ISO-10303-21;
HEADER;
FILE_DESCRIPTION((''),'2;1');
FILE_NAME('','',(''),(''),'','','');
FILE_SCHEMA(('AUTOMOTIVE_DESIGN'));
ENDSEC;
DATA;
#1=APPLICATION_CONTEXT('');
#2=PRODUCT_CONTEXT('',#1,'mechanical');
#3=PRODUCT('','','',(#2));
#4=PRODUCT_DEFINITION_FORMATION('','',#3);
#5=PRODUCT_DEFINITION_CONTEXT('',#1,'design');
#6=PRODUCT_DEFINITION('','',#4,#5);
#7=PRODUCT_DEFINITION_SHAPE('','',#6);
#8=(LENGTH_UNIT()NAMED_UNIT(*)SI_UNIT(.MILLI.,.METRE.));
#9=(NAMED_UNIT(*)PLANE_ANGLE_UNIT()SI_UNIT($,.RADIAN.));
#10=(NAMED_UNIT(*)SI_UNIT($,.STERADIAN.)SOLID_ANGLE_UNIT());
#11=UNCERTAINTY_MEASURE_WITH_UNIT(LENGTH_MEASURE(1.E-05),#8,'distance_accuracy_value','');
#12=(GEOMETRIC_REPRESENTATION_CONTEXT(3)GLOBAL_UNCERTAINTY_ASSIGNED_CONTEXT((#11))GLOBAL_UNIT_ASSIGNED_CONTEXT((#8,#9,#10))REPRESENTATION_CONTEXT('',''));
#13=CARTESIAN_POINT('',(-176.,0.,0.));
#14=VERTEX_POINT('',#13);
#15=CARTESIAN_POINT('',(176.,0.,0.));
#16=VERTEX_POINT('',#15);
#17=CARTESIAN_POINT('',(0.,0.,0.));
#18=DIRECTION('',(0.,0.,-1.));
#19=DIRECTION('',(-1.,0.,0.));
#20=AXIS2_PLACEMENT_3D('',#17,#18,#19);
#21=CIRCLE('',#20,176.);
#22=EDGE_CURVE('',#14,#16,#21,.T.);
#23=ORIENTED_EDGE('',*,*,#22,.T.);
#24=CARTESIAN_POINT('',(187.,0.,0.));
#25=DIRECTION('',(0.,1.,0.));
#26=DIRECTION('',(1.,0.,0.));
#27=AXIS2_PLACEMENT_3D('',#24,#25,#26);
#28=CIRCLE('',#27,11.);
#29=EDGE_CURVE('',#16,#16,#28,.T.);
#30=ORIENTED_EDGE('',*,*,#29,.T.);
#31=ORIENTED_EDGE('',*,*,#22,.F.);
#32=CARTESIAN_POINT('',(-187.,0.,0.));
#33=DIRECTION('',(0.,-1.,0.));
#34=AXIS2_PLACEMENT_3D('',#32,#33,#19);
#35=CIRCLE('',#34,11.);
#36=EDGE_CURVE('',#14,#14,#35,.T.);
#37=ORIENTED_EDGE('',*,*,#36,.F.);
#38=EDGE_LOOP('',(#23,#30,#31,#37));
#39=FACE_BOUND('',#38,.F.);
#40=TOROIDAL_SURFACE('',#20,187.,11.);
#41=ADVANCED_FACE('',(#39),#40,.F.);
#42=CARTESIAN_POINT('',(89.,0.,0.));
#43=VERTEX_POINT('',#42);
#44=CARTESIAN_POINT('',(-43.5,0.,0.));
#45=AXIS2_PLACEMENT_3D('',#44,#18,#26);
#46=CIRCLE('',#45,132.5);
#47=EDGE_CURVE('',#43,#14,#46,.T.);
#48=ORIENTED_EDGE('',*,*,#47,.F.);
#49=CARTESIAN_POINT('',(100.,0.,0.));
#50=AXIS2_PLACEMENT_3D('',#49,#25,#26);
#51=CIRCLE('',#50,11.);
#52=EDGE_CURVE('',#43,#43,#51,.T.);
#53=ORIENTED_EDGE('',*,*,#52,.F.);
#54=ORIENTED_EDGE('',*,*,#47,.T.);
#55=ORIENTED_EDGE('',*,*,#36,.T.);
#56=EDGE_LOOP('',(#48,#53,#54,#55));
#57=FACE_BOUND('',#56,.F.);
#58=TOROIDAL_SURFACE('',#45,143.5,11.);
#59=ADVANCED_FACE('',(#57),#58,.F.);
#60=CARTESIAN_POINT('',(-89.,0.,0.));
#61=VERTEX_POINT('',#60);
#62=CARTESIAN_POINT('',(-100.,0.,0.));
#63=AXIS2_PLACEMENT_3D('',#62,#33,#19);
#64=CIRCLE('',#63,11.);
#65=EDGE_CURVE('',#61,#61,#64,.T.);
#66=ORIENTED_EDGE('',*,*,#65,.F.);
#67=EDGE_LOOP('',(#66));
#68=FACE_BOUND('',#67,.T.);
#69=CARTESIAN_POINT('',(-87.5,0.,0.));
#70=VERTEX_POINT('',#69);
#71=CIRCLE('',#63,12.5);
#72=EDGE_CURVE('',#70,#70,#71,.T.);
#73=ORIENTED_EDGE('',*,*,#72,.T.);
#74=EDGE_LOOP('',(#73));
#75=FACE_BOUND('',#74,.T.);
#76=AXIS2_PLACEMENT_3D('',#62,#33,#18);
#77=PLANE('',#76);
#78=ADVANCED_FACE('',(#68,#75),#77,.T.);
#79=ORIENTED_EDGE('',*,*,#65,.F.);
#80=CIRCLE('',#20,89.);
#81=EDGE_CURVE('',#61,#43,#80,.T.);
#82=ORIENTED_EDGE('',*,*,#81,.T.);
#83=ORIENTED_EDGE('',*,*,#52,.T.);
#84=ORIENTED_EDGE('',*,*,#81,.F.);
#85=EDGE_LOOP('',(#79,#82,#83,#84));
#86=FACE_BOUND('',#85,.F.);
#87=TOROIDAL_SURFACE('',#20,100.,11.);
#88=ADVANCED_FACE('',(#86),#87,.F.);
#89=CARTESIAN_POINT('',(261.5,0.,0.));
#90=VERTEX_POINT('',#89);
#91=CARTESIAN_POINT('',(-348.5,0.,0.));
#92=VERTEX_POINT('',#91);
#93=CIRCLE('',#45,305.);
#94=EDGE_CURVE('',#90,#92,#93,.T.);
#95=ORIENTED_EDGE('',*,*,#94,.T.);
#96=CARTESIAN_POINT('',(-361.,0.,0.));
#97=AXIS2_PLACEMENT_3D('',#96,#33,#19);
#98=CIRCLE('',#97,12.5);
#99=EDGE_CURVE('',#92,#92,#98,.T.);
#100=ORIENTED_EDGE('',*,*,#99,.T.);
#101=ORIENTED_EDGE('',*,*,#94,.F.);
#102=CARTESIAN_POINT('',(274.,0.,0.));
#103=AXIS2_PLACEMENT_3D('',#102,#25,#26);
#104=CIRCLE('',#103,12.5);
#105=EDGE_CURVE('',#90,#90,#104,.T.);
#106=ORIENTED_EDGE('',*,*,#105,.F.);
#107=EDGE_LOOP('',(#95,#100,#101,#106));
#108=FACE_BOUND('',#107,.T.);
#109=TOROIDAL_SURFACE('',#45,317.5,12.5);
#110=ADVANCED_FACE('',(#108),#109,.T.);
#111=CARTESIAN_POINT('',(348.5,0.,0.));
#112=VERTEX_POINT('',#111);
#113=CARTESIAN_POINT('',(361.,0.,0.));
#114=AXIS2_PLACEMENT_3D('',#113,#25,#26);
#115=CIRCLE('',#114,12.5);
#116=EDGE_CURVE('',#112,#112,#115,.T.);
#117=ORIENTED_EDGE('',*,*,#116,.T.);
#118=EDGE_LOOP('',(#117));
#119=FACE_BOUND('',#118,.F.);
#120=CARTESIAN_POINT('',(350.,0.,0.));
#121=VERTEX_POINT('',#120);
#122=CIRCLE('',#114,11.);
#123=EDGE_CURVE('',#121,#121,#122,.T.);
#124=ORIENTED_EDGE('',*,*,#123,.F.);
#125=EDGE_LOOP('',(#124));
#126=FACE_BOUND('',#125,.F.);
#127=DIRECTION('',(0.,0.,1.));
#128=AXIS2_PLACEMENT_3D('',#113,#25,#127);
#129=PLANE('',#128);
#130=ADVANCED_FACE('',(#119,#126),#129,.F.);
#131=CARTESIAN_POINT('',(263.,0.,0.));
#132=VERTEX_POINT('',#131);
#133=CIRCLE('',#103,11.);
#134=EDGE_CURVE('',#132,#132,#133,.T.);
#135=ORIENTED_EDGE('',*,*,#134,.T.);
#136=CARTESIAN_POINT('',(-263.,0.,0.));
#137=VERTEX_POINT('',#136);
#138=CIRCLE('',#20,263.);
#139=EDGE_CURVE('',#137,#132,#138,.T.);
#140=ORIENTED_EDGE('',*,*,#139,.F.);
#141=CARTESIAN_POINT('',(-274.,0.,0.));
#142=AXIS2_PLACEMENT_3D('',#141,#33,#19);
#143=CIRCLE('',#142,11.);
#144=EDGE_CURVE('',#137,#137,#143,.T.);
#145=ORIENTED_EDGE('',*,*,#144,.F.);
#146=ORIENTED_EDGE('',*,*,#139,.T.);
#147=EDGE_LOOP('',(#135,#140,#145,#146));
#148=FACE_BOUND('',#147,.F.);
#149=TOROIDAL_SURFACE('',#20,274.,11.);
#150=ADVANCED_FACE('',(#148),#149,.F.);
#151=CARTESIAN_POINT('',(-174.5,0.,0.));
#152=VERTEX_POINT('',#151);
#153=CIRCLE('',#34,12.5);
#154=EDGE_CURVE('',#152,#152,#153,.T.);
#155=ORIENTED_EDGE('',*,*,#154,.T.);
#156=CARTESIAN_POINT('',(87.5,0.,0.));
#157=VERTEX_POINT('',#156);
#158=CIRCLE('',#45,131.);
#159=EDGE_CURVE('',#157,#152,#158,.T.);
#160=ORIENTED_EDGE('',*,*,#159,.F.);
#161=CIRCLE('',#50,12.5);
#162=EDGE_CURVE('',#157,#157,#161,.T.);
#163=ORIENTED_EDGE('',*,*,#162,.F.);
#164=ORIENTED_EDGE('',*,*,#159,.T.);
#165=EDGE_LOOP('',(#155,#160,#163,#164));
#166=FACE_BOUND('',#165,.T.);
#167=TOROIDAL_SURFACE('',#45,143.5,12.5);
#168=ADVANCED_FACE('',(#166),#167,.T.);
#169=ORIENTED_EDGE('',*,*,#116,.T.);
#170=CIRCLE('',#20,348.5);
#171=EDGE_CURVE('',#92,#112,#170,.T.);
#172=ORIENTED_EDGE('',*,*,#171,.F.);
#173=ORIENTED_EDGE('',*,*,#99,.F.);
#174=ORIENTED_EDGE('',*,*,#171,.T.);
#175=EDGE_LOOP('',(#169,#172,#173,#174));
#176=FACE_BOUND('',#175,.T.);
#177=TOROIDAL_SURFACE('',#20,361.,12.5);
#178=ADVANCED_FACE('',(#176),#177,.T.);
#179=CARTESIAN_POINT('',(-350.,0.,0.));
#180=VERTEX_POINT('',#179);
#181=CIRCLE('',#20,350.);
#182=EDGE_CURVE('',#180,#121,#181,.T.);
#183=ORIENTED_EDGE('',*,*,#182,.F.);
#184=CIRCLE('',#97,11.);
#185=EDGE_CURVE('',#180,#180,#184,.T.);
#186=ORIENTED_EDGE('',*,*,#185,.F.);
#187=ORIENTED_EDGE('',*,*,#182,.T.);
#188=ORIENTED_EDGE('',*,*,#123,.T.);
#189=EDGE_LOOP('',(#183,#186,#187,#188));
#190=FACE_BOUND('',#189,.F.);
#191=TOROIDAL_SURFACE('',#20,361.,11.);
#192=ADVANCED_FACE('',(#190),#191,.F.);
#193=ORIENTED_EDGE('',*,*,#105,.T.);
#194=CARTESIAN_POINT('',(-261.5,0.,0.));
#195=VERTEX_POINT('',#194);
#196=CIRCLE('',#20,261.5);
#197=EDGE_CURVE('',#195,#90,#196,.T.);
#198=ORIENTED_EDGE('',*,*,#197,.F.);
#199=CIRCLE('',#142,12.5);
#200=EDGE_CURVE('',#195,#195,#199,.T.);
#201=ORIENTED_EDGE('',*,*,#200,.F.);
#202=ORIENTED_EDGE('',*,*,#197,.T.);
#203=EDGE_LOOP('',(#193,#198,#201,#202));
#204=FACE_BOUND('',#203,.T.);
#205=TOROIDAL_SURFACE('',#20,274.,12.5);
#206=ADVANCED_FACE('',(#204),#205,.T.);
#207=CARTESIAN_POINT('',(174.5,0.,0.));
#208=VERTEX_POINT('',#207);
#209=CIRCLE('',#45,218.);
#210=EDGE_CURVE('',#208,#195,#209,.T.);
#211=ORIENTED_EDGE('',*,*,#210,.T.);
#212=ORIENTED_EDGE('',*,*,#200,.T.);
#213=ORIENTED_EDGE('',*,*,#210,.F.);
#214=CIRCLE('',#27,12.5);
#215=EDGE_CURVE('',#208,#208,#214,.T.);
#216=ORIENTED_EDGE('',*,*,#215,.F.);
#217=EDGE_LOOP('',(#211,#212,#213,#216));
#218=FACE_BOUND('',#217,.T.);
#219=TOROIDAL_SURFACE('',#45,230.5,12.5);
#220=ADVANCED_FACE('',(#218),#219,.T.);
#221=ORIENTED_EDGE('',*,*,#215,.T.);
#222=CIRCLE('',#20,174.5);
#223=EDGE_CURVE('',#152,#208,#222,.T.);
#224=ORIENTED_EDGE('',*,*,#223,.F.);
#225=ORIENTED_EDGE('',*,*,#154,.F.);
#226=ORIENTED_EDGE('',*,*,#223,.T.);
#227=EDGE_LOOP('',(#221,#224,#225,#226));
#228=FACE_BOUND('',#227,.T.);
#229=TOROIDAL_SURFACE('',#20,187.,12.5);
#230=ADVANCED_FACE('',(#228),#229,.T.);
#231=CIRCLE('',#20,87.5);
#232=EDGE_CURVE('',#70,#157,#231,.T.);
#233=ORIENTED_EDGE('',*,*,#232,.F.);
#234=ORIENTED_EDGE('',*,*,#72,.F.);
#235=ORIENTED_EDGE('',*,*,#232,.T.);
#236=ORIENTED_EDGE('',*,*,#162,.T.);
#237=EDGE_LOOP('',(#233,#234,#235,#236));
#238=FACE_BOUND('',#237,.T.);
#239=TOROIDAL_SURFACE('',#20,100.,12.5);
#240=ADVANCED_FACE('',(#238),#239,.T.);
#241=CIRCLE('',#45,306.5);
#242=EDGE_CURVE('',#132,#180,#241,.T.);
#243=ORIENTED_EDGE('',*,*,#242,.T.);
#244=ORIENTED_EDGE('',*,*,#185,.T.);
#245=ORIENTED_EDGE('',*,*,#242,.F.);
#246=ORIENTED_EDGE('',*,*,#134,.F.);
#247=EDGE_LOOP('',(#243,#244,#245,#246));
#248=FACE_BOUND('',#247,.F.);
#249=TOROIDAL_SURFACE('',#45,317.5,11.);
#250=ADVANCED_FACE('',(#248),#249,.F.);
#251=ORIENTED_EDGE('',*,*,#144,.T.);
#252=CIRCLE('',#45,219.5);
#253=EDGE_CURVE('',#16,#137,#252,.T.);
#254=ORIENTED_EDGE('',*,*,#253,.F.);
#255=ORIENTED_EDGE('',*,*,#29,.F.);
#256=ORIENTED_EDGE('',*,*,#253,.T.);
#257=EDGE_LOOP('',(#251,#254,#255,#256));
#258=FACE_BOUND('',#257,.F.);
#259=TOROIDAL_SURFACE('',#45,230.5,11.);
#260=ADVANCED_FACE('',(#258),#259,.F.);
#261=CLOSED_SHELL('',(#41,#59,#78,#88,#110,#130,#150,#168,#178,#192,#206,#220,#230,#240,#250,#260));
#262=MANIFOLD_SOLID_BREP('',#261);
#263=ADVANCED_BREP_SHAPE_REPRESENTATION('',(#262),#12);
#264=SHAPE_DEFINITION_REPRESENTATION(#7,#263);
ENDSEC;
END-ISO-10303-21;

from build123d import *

# Parameters (mm, degrees)
F1_R   = 12.5
F1_R_2 = 11


with BuildPart() as f2:
    # F2: sweep along a path in F0
    with BuildLine(Plane.XY) as f2_path:
        ThreePointArc((-100, 0), (0, 100), (100, 0))
        ThreePointArc((100, 0), (-43.5, -143.5), (-187, 0))
        ThreePointArc((-187, 0), (0, 187), (187, 0))
        ThreePointArc((187, 0), (-43.5, -230.5), (-274, 0))
        ThreePointArc((-274, 0), (0, 274), (274, 0))
        ThreePointArc((274, 0), (-43.5, -317.5), (-361, 0))
        ThreePointArc((-361, 0), (0, 361), (361, 0))
    # F1 (on Front) → F2 (sweep)
    with BuildSketch(Plane.XZ):
        with Locations((-100, 0)):
            Circle(F1_R)
        with Locations((-100, 0)):
            Circle(F1_R_2, mode=Mode.SUBTRACT)
    sweep(path=f2_path.line)


solid = f2.part
